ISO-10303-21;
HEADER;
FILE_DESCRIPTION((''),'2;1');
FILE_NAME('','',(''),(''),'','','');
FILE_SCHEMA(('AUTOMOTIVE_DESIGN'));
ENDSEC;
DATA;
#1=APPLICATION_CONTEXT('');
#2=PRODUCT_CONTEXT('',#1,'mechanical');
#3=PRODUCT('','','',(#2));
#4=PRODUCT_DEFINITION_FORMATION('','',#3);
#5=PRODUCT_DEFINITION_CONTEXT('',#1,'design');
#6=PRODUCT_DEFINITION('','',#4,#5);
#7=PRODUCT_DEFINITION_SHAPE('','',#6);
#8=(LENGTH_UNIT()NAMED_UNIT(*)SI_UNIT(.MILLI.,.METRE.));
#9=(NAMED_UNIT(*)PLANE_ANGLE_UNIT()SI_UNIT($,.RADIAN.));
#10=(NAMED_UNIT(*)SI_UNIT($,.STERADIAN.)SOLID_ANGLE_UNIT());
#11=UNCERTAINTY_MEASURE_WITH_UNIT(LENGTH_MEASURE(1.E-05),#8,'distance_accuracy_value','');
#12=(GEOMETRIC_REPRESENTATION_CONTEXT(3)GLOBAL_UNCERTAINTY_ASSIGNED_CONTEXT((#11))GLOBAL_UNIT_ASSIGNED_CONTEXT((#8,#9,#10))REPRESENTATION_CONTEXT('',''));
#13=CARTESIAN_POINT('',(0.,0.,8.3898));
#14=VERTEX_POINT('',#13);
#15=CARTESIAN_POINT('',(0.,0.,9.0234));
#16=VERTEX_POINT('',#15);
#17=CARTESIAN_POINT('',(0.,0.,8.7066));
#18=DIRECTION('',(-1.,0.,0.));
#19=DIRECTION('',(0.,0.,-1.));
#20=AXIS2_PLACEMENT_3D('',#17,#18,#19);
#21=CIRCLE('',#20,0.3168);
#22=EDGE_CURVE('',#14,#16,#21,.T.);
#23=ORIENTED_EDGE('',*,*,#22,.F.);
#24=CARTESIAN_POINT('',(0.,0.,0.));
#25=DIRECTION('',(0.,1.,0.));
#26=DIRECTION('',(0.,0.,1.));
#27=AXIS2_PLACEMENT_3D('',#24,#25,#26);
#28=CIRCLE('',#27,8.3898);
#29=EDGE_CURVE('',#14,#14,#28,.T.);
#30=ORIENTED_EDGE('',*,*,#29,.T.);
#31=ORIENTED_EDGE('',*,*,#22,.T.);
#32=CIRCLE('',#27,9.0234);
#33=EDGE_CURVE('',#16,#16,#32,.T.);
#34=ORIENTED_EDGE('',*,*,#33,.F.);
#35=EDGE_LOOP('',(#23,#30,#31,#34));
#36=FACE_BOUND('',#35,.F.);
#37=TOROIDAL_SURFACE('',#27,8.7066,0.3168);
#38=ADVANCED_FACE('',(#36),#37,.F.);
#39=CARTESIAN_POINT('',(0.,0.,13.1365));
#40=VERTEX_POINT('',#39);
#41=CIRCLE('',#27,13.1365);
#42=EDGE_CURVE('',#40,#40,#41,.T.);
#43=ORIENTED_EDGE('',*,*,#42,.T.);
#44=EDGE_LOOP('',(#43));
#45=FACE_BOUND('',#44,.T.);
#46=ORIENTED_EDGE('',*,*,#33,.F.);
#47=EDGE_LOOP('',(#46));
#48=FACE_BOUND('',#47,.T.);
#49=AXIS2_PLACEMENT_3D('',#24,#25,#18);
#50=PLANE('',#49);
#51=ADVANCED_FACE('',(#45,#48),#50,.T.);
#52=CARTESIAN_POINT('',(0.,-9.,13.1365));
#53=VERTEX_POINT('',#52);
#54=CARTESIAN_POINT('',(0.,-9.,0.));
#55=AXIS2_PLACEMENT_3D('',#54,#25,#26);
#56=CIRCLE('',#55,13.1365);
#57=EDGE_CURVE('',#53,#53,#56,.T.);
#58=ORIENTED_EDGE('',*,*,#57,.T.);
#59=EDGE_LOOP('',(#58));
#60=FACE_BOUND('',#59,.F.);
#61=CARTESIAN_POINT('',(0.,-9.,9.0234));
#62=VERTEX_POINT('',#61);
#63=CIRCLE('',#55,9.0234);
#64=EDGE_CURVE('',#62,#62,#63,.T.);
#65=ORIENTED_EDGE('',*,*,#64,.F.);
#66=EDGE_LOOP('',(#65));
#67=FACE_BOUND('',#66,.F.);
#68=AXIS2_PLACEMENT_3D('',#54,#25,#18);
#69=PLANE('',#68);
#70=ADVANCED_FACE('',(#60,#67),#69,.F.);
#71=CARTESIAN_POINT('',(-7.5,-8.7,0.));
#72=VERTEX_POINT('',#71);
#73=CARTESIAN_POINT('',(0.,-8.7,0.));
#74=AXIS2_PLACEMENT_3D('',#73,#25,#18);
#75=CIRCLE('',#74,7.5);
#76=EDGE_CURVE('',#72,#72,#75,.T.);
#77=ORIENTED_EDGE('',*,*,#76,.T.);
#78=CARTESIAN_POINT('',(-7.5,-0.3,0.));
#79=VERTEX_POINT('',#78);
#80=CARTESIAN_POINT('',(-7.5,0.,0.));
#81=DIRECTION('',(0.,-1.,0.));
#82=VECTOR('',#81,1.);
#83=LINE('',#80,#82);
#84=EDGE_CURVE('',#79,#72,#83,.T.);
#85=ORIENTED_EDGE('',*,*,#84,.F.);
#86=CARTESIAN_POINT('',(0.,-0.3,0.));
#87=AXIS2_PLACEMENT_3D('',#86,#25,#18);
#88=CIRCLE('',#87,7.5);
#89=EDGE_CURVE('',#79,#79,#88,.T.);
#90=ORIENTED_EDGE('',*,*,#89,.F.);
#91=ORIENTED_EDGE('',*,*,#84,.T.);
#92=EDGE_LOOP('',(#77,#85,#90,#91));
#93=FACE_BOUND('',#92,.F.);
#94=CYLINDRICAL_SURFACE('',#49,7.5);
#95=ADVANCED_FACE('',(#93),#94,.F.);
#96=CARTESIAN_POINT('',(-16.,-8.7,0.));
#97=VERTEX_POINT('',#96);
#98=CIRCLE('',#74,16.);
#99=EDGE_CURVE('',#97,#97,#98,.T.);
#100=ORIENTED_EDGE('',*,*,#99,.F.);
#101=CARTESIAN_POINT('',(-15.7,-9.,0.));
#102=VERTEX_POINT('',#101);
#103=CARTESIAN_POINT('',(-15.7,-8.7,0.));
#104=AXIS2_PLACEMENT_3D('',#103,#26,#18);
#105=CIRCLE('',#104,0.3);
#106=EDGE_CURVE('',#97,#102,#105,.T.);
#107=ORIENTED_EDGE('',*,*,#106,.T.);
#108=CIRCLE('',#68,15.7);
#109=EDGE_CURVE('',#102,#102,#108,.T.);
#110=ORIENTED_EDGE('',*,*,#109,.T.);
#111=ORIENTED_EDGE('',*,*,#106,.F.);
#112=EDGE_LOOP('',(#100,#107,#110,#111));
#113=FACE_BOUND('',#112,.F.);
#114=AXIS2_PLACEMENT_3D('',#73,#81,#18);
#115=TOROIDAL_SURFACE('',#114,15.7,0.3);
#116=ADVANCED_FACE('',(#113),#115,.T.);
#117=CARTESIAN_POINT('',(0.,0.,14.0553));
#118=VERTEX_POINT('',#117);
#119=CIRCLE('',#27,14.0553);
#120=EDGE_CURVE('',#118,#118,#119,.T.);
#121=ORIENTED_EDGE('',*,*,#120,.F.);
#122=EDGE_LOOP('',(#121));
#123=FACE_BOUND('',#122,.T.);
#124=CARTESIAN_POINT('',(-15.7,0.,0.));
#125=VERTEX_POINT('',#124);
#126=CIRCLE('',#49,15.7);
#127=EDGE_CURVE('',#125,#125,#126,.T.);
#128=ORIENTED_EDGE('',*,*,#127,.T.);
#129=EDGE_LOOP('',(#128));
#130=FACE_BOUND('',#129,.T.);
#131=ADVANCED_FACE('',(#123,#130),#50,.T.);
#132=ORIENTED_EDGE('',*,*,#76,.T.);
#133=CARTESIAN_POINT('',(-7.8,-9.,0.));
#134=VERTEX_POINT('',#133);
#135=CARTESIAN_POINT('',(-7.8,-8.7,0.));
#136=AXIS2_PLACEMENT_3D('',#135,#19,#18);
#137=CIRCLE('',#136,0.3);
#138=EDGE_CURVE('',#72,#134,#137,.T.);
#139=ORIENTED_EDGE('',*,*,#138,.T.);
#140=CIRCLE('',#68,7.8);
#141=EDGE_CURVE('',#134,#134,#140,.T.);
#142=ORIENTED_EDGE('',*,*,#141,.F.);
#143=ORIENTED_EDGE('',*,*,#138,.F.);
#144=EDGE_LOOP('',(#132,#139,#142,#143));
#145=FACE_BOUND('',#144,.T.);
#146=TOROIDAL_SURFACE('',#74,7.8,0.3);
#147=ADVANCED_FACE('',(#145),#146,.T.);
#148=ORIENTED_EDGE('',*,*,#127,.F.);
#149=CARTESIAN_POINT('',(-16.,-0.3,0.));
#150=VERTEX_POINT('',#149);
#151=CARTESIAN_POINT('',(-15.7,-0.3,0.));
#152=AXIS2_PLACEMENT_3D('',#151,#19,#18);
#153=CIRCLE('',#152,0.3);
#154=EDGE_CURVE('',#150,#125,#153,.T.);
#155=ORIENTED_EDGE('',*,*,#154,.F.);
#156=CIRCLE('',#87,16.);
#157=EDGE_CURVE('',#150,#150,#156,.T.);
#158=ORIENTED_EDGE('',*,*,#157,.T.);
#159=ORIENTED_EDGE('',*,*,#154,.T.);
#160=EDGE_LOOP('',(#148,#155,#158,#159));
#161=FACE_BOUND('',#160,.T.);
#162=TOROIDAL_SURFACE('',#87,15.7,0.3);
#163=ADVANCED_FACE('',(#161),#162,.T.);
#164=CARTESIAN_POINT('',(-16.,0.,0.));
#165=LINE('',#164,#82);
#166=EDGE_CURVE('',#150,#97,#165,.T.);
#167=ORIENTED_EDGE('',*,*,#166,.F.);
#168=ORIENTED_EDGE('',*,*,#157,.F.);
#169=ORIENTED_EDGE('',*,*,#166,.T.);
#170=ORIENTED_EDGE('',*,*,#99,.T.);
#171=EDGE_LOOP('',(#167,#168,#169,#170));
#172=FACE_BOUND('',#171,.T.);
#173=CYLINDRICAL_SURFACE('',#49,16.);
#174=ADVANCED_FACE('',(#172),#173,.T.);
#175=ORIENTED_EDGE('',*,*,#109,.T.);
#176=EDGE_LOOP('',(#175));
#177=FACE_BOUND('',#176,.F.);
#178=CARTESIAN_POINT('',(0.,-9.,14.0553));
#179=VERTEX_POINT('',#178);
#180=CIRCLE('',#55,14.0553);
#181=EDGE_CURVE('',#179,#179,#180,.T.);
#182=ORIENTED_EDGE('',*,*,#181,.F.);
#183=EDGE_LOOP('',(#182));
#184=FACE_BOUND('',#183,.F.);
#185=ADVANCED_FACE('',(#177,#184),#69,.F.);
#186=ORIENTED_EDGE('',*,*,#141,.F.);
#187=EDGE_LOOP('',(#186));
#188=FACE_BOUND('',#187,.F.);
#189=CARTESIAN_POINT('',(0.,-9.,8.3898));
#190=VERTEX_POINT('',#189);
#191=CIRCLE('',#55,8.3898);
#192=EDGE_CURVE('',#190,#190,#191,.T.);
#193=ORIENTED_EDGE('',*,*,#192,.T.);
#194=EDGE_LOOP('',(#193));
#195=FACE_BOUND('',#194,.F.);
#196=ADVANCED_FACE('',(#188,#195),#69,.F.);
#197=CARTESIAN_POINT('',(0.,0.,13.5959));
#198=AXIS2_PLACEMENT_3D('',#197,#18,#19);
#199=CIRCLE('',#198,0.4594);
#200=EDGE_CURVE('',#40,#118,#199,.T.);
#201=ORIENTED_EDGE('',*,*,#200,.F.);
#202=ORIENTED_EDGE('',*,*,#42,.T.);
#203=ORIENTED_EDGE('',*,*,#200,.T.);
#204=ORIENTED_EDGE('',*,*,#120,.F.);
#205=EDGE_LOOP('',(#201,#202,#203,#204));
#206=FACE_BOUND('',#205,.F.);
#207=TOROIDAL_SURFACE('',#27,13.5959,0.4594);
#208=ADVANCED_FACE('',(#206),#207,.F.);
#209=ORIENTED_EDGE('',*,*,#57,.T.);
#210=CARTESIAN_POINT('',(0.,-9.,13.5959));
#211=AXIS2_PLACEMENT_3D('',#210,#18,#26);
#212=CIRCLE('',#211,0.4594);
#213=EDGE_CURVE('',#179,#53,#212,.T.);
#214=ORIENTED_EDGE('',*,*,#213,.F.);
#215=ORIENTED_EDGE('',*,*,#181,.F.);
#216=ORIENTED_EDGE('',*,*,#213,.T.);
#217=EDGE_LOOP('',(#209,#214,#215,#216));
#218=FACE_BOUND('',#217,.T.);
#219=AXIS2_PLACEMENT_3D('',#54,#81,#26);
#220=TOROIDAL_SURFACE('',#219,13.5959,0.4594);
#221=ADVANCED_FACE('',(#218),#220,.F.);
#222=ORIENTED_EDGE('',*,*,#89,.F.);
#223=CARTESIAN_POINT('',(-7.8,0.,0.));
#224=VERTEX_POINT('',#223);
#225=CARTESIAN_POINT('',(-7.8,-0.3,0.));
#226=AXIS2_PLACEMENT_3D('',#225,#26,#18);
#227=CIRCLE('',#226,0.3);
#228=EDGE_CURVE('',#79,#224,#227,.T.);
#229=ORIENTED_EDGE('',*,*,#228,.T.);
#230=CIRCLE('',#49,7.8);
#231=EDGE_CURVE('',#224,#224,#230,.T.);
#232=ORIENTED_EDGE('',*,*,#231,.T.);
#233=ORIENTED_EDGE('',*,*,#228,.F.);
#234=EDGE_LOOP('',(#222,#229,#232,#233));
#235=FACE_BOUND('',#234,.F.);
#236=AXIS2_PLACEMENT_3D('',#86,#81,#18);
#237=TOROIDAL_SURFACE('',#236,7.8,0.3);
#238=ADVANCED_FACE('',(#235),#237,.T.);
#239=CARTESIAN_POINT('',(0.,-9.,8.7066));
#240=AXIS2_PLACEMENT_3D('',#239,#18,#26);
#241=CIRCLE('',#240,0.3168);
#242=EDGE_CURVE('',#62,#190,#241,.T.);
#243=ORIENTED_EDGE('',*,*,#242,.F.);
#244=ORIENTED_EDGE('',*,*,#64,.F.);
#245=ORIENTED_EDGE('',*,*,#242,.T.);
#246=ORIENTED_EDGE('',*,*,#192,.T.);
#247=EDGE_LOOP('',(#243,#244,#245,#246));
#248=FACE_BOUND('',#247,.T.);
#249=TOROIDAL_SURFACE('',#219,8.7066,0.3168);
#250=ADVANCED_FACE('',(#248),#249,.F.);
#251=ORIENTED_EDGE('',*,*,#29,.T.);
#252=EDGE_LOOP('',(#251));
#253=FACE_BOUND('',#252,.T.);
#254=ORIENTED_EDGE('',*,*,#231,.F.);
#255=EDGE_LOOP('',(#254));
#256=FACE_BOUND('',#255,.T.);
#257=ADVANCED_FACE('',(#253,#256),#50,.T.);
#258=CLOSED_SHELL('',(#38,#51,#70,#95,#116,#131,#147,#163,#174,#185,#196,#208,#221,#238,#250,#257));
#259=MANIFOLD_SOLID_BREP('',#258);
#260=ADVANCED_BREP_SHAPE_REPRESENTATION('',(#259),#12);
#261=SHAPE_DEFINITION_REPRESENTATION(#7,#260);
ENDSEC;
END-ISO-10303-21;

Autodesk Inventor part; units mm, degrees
ref_plane "YZ Plane" through (0, 0, 0) normal (1, 0, 0) x (0, 1, 0)
ref_plane "XZ Plane" through (0, 0, 0) normal (0, 1, 0) x (-1, 0, 0)
sketch "Sketch1" plane through (0, 0, 0) normal (0, 1, 0) x (-1, 0, 0)
  circle A0 centre (0, 0) radius 7.5
  circle A1 centre (0, 0) radius 16
  dimension "d0" = 15
  dimension "d1" = 32
extrude "Extrusion1" add sketch "Sketch1" against normal blind 9
fillet "Fillet1" radius 0.3 4 edges at (16, 0, 0) (16, -9, 0) (7.5, 0, 0) (7.5, -9, 0)
sketch "Sketch2" plane through (0, 0, 0) normal (1, 0, 0) x (0, 1, 0)
  line L0 (-9, -15.7) -> (-9, 15.7) projected
  line L1 (-0.3, 16) -> (-8.7, 16) projected
  circle A0 centre (-9, 13.5959) radius 0.4594
  circle A1 centre (-9, 8.7066) radius 0.3168
  line L2 (-11.3512, 0) -> (1.8919, 0) projected
  point P0 (0, 0)
revolve "Revolution1" cut sketch "Sketch2" angle 360 about axis through (0, -10, 0) along (0, 1, 0)
ref_plane "Work Plane1" through (0, -4.5, 0) normal (0, 1, 0) x (1, 0, 0)
mirror "Mirror1" about plane through (0, -4.5, 0) normal (0, 1, 0) of "Revolution1"
properties part number "MISC_Bearing_SHU60022RSC3" material "Stainless Steel, 440C"
